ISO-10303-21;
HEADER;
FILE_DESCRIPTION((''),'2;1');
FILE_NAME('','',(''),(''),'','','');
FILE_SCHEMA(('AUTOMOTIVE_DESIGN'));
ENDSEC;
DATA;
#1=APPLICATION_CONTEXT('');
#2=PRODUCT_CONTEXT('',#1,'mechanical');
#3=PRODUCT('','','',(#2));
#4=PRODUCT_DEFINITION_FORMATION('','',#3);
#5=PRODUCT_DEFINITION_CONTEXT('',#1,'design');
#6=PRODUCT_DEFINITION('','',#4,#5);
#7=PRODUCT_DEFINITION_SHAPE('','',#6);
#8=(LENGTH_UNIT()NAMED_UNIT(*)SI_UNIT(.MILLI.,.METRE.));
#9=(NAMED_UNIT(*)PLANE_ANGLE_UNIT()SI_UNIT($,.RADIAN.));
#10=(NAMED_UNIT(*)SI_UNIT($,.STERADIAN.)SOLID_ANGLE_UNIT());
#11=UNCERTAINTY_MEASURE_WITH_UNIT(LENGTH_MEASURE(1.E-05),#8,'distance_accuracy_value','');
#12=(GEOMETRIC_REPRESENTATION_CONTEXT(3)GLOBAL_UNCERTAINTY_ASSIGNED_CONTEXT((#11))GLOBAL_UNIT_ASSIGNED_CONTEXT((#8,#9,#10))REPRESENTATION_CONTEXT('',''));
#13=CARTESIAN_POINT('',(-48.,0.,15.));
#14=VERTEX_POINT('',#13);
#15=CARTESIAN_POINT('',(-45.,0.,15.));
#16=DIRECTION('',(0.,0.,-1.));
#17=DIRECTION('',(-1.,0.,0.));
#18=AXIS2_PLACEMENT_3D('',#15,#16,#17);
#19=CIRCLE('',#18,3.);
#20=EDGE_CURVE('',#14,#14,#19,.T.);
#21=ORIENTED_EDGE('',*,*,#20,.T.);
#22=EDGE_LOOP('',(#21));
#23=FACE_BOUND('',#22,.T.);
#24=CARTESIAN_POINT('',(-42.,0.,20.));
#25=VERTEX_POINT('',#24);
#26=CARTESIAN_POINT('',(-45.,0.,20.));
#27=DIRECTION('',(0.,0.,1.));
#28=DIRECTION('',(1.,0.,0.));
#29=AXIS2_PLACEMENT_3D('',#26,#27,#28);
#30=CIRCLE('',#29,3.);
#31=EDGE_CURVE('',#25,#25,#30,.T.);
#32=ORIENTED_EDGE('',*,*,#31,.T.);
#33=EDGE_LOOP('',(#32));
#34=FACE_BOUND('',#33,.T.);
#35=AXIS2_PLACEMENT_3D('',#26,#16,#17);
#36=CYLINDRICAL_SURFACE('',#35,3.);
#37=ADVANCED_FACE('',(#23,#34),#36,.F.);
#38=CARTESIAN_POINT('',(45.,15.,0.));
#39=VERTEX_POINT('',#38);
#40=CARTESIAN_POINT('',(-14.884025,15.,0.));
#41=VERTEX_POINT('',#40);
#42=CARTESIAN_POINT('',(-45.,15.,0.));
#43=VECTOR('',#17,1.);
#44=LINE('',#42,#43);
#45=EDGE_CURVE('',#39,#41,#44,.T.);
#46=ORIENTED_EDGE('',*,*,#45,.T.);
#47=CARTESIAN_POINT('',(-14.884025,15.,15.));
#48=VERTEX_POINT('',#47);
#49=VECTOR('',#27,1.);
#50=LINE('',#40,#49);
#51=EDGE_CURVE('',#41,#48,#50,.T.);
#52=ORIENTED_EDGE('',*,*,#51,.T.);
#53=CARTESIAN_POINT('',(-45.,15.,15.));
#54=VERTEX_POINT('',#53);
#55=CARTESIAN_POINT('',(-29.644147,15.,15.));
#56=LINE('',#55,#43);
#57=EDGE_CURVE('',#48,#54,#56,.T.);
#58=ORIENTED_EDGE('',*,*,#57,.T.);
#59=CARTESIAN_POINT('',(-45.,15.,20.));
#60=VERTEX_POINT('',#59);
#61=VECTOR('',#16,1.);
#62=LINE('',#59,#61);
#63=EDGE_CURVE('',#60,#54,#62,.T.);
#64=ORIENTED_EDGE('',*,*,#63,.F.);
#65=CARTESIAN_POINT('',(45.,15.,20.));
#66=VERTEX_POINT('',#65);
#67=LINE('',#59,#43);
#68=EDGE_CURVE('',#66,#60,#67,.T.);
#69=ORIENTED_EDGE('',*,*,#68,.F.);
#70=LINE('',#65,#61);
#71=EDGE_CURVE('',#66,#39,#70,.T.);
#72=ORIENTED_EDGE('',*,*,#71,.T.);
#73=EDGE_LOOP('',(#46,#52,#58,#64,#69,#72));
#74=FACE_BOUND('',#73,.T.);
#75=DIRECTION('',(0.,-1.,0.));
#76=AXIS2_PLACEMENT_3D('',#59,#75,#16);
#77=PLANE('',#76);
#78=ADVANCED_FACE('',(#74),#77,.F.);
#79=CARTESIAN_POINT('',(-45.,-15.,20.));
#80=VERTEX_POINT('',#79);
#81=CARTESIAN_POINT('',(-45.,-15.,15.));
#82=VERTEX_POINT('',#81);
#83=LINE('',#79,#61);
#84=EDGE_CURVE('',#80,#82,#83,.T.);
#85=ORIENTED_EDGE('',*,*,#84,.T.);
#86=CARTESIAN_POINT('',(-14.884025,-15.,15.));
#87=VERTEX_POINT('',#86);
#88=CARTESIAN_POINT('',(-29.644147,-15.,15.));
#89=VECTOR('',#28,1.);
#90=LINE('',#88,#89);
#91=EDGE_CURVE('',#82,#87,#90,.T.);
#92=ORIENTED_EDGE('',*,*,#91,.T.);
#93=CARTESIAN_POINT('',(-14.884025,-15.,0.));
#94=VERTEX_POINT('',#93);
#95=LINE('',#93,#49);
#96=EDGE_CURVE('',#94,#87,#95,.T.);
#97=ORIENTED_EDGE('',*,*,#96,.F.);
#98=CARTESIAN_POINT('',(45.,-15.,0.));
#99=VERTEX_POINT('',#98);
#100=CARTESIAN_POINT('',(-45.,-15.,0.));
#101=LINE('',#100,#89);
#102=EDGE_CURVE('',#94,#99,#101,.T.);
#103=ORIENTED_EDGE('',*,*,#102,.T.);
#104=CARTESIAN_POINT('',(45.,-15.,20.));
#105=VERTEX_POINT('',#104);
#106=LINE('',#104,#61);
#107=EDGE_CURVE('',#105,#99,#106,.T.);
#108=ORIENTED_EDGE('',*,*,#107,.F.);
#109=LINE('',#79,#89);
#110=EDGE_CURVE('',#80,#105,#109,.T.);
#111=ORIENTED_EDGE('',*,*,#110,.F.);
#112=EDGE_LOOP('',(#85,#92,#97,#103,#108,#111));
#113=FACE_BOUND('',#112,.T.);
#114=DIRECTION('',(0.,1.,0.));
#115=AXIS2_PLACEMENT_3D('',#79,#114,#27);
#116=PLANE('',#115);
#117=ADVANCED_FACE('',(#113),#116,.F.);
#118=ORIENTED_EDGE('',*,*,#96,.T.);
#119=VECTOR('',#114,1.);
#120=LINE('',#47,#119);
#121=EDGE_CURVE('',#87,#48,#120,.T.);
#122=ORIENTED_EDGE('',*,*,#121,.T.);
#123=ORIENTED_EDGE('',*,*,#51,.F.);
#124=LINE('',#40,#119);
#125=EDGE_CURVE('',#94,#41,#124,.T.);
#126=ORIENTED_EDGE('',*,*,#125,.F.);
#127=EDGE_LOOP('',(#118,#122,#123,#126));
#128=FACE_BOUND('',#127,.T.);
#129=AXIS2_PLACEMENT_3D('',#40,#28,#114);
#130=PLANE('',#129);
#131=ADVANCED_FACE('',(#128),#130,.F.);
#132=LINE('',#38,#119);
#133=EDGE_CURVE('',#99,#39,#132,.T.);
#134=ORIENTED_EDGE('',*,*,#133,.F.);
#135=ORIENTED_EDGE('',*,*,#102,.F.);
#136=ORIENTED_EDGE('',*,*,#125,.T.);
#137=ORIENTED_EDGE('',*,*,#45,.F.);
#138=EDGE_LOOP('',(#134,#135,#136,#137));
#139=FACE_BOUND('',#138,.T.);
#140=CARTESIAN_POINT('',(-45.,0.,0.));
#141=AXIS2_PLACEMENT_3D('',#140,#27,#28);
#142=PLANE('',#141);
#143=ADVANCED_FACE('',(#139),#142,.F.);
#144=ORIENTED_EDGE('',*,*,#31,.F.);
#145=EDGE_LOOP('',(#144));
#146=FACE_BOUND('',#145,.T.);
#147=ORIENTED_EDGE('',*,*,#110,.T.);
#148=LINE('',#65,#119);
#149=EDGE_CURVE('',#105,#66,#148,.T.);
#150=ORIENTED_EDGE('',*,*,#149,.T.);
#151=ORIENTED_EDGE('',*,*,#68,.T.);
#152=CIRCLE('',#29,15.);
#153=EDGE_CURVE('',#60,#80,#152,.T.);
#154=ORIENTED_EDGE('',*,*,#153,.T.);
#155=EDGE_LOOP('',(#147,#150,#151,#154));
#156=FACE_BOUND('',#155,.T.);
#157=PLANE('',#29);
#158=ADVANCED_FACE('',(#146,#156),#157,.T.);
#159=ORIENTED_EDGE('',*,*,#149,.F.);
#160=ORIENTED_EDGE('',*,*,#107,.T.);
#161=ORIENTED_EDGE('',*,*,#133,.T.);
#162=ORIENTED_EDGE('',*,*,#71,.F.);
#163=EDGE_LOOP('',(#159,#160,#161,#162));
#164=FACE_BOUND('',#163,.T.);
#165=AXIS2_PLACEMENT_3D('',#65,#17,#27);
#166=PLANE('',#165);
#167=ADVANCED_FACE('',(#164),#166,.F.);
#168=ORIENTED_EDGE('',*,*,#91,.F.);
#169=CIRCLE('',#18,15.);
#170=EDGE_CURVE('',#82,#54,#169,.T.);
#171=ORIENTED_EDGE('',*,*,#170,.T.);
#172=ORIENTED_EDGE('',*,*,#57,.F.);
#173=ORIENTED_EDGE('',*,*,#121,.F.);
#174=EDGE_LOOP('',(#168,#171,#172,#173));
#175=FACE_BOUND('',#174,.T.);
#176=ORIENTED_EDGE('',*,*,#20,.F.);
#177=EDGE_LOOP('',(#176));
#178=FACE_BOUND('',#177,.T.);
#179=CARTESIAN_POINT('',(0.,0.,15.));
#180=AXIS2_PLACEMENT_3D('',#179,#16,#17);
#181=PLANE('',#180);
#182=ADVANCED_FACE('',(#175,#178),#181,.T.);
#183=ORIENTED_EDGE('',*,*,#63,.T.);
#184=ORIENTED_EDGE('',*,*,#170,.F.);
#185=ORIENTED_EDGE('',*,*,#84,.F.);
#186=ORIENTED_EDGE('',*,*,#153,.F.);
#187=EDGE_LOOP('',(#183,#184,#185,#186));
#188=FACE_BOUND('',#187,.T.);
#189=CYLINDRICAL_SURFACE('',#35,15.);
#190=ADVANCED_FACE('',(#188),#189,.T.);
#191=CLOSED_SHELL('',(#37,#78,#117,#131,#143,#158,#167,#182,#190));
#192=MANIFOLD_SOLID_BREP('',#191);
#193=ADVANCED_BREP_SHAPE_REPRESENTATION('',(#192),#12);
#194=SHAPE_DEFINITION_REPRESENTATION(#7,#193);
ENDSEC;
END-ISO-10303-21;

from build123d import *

# Parameters (mm, degrees)
SKETCH_1_R          = 3
EXTRUDE_1_DEPTH     = 20
SKETCH_2_W          = 31.985989971
SKETCH_2_H          = 30
CUT_EXTRUDE_2_DEPTH = 64.639610307
SKETCH_3_W          = 45
SKETCH_3_H          = 30
CUT_EXTRUDE_3_DEPTH = 64.639610307


with BuildPart() as part:
    # 草图1 → 凸台-拉伸1 (new body)
    with BuildSketch(Plane.XY):
        with BuildLine():
            Line((-45, 15), (45, 15))
            Line((45, 15), (45, -15))
            Line((45, -15), (-45, -15))
            ThreePointArc((-45, -15), (-60, 0), (-45, 15))
        make_face()
        with Locations((-45, 0)):
            Circle(SKETCH_1_R, mode=Mode.SUBTRACT)
    extrude(amount=EXTRUDE_1_DEPTH)

    # 草图2 → 切除-拉伸2 (cut, through all)
    with BuildSketch(Plane.XY.offset(15)):
        with Locations((-45.637141889, 0)):
            Rectangle(SKETCH_2_W, SKETCH_2_H)
    extrude(amount=-CUT_EXTRUDE_2_DEPTH, mode=Mode.SUBTRACT)

    # 草图3 → 切除-拉伸3 (cut, through all)
    with BuildSketch(Plane.XY.offset(15)):
        with Locations((-37.384024781, 0)):
            Rectangle(SKETCH_3_W, SKETCH_3_H)
    extrude(amount=-CUT_EXTRUDE_3_DEPTH, mode=Mode.SUBTRACT)


solid = part.part
